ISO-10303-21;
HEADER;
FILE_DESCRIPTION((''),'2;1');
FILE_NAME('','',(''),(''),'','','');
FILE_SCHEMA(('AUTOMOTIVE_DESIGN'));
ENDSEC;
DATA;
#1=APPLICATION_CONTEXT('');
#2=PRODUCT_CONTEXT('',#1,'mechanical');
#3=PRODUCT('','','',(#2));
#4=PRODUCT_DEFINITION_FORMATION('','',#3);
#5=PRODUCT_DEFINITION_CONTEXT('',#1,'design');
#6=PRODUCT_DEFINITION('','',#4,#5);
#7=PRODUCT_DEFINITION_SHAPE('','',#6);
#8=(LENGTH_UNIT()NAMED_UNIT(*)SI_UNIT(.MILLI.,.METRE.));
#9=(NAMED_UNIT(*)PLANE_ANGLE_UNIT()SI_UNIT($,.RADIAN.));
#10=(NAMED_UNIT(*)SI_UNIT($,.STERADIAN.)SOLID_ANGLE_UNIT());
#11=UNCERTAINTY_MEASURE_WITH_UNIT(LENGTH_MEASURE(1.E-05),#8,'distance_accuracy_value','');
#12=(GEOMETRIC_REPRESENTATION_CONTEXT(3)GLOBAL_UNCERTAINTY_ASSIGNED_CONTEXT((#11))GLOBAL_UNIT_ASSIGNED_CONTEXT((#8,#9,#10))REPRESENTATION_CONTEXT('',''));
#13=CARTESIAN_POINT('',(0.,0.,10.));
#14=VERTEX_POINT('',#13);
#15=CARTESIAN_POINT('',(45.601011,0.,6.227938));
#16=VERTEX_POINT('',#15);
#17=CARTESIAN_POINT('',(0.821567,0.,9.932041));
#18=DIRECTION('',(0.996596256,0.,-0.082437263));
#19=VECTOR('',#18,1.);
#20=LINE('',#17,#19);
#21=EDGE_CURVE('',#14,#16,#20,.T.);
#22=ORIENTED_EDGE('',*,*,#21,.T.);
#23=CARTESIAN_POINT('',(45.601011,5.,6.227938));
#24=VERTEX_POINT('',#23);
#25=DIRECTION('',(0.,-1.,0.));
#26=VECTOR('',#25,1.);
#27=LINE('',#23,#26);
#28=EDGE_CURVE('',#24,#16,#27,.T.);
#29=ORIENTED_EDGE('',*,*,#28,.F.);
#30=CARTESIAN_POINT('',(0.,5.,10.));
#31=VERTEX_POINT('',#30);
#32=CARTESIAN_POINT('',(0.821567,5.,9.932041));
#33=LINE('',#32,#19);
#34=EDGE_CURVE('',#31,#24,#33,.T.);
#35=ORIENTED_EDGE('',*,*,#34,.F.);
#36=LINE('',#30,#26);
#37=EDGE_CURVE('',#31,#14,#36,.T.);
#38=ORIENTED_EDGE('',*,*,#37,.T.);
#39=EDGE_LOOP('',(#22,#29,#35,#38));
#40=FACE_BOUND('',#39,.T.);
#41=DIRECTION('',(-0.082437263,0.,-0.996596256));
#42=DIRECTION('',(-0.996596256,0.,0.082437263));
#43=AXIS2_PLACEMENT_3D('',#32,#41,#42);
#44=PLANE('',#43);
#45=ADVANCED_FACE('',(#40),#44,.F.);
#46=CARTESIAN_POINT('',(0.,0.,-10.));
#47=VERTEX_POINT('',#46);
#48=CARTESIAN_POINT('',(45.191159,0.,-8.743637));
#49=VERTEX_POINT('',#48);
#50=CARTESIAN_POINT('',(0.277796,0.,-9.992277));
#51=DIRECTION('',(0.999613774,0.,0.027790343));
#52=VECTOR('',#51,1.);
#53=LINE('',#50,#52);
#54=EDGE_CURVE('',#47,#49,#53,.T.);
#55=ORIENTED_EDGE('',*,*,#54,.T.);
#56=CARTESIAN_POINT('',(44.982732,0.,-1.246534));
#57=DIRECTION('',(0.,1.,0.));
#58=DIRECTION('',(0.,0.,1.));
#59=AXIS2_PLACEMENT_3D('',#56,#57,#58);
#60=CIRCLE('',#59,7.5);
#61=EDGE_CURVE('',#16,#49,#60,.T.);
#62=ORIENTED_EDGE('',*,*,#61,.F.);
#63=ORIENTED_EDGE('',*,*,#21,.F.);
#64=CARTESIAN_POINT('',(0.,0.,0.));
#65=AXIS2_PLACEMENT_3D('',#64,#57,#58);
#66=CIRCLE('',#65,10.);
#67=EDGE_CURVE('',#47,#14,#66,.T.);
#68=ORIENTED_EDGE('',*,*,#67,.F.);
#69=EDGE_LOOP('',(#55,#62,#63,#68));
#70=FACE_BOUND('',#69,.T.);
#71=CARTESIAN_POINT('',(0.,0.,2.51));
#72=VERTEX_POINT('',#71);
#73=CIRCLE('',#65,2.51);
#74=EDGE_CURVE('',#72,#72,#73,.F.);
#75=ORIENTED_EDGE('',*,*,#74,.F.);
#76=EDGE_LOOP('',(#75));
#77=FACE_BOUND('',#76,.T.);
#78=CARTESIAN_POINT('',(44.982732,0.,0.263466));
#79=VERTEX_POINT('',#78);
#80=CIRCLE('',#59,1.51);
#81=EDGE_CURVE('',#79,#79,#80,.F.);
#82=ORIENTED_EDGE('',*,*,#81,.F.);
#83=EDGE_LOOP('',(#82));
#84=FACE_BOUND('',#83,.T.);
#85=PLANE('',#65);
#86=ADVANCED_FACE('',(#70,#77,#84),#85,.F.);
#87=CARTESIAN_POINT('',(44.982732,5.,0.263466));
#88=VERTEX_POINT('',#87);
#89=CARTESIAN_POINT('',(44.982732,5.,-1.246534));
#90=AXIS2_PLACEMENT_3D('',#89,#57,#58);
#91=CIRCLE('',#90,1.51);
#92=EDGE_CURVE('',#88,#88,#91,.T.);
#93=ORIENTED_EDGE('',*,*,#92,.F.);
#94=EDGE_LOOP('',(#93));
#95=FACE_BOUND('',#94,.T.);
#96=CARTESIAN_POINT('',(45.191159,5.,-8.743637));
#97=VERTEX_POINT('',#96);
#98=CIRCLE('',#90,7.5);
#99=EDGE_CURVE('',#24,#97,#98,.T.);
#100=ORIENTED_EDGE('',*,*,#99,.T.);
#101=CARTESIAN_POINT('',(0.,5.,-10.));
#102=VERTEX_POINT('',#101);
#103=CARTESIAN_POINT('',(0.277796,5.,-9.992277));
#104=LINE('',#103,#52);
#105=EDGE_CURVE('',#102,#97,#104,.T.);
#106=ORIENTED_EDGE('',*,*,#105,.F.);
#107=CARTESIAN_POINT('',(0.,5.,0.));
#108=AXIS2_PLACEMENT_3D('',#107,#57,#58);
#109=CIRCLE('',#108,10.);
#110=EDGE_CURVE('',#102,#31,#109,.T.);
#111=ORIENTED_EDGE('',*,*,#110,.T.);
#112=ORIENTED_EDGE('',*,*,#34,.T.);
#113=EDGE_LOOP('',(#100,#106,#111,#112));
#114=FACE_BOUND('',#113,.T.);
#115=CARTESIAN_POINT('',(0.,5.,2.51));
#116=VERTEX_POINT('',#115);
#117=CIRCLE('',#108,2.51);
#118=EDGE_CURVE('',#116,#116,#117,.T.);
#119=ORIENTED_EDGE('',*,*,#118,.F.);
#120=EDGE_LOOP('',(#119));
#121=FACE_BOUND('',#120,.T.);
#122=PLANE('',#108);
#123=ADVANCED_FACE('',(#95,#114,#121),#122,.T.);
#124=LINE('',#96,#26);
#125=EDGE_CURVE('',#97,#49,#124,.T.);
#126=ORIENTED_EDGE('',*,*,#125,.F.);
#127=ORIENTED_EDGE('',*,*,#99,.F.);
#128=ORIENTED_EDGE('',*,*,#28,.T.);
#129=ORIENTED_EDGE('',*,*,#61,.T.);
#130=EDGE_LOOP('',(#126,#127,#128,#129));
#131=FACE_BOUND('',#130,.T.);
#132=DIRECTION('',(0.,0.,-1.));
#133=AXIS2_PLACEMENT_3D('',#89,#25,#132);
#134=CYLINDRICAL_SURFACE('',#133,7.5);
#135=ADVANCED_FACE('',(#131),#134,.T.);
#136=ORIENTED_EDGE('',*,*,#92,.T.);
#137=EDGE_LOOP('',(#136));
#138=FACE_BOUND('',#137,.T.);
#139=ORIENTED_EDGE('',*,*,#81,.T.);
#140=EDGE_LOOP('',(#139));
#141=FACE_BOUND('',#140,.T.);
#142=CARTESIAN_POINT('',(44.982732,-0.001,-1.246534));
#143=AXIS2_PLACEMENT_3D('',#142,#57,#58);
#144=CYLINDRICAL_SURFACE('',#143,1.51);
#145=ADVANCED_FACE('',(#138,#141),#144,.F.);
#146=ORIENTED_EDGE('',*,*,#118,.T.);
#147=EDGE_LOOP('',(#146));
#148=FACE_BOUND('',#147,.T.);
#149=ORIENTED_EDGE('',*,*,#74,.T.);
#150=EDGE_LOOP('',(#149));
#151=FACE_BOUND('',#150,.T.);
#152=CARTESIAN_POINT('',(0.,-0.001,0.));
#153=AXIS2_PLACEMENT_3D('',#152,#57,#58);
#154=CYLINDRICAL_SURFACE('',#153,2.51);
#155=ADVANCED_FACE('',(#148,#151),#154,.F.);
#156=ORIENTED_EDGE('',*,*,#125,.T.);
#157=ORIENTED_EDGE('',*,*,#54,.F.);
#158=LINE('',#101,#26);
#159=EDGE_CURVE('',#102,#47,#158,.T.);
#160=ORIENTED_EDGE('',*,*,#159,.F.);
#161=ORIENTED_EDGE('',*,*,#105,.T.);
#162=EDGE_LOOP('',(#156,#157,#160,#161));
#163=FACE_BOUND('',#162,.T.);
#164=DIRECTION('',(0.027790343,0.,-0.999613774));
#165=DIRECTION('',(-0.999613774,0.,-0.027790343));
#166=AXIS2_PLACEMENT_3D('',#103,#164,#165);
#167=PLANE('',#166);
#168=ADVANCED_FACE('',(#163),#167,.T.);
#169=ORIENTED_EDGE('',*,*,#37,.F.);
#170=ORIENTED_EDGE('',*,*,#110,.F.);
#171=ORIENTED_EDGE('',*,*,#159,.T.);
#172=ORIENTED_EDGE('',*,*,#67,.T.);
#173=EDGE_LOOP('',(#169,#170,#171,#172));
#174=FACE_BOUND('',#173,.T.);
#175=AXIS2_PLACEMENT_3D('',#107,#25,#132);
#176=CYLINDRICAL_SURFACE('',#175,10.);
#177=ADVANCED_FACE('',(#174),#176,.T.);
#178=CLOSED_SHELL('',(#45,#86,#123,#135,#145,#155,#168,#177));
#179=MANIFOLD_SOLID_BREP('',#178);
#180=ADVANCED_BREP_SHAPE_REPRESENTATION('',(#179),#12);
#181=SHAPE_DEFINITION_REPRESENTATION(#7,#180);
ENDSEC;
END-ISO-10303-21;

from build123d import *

# Parameters (mm, degrees)
BOSS_EXTRUDE1_DEPTH = 5
CUT_EXTRUDE1_REACH  = 55.66
SKETCH2_R           = 2.51
SKETCH2_R_2         = 1.51


with BuildPart() as part:
    # Sketch1 → Boss-Extrude1 (new body)
    with BuildSketch(Plane(origin=(0, 0, 0), x_dir=(1, 0, 0), z_dir=(0, 1, 0))):
        with BuildLine():
            ThreePointArc((0, 10), (-10, 0), (0, -10))
            Line((0, -10), (45.601011206, -6.227938292))
            ThreePointArc((45.601011206, -6.227938292), (52.479923025, 1.451771759), (45.191159304, 8.743636932))
            Line((45.191159304, 8.743636932), (0, 10))
        make_face()
    extrude(amount=BOSS_EXTRUDE1_DEPTH)

    # Sketch2 → Cut-Extrude1 (cut, up to next)
    with BuildSketch(Plane(origin=(0, 5, 0), x_dir=(1, 0, 0), z_dir=(0, 1, 0)), mode=Mode.PRIVATE) as cut_extrude1_sk1:
        with Locations(Location((0, 0, 0), (0, 0, 270))):
            Circle(SKETCH2_R)
    cut_extrude1_tool1 = extrude(cut_extrude1_sk1.sketch, amount=-CUT_EXTRUDE1_REACH, mode=Mode.PRIVATE) & part.part
    # Sketch2 → Cut-Extrude1 (cut, up to next)
    with BuildSketch(Plane(origin=(0, 5, 0), x_dir=(1, 0, 0), z_dir=(0, 1, 0)), mode=Mode.PRIVATE) as cut_extrude1_sk2:
        with Locations(Location((44.98273173, 1.246533628, 0), (0, 0, 270))):
            Circle(SKETCH2_R_2)
    cut_extrude1_tool2 = extrude(cut_extrude1_sk2.sketch, amount=-CUT_EXTRUDE1_REACH, mode=Mode.PRIVATE) & part.part
    add(cut_extrude1_tool1.solids().sort_by_distance((0, 5, 0))[0], mode=Mode.SUBTRACT)
    add(cut_extrude1_tool2.solids().sort_by_distance((44.982732, 5, -1.246534))[0], mode=Mode.SUBTRACT)


solid = part.part
